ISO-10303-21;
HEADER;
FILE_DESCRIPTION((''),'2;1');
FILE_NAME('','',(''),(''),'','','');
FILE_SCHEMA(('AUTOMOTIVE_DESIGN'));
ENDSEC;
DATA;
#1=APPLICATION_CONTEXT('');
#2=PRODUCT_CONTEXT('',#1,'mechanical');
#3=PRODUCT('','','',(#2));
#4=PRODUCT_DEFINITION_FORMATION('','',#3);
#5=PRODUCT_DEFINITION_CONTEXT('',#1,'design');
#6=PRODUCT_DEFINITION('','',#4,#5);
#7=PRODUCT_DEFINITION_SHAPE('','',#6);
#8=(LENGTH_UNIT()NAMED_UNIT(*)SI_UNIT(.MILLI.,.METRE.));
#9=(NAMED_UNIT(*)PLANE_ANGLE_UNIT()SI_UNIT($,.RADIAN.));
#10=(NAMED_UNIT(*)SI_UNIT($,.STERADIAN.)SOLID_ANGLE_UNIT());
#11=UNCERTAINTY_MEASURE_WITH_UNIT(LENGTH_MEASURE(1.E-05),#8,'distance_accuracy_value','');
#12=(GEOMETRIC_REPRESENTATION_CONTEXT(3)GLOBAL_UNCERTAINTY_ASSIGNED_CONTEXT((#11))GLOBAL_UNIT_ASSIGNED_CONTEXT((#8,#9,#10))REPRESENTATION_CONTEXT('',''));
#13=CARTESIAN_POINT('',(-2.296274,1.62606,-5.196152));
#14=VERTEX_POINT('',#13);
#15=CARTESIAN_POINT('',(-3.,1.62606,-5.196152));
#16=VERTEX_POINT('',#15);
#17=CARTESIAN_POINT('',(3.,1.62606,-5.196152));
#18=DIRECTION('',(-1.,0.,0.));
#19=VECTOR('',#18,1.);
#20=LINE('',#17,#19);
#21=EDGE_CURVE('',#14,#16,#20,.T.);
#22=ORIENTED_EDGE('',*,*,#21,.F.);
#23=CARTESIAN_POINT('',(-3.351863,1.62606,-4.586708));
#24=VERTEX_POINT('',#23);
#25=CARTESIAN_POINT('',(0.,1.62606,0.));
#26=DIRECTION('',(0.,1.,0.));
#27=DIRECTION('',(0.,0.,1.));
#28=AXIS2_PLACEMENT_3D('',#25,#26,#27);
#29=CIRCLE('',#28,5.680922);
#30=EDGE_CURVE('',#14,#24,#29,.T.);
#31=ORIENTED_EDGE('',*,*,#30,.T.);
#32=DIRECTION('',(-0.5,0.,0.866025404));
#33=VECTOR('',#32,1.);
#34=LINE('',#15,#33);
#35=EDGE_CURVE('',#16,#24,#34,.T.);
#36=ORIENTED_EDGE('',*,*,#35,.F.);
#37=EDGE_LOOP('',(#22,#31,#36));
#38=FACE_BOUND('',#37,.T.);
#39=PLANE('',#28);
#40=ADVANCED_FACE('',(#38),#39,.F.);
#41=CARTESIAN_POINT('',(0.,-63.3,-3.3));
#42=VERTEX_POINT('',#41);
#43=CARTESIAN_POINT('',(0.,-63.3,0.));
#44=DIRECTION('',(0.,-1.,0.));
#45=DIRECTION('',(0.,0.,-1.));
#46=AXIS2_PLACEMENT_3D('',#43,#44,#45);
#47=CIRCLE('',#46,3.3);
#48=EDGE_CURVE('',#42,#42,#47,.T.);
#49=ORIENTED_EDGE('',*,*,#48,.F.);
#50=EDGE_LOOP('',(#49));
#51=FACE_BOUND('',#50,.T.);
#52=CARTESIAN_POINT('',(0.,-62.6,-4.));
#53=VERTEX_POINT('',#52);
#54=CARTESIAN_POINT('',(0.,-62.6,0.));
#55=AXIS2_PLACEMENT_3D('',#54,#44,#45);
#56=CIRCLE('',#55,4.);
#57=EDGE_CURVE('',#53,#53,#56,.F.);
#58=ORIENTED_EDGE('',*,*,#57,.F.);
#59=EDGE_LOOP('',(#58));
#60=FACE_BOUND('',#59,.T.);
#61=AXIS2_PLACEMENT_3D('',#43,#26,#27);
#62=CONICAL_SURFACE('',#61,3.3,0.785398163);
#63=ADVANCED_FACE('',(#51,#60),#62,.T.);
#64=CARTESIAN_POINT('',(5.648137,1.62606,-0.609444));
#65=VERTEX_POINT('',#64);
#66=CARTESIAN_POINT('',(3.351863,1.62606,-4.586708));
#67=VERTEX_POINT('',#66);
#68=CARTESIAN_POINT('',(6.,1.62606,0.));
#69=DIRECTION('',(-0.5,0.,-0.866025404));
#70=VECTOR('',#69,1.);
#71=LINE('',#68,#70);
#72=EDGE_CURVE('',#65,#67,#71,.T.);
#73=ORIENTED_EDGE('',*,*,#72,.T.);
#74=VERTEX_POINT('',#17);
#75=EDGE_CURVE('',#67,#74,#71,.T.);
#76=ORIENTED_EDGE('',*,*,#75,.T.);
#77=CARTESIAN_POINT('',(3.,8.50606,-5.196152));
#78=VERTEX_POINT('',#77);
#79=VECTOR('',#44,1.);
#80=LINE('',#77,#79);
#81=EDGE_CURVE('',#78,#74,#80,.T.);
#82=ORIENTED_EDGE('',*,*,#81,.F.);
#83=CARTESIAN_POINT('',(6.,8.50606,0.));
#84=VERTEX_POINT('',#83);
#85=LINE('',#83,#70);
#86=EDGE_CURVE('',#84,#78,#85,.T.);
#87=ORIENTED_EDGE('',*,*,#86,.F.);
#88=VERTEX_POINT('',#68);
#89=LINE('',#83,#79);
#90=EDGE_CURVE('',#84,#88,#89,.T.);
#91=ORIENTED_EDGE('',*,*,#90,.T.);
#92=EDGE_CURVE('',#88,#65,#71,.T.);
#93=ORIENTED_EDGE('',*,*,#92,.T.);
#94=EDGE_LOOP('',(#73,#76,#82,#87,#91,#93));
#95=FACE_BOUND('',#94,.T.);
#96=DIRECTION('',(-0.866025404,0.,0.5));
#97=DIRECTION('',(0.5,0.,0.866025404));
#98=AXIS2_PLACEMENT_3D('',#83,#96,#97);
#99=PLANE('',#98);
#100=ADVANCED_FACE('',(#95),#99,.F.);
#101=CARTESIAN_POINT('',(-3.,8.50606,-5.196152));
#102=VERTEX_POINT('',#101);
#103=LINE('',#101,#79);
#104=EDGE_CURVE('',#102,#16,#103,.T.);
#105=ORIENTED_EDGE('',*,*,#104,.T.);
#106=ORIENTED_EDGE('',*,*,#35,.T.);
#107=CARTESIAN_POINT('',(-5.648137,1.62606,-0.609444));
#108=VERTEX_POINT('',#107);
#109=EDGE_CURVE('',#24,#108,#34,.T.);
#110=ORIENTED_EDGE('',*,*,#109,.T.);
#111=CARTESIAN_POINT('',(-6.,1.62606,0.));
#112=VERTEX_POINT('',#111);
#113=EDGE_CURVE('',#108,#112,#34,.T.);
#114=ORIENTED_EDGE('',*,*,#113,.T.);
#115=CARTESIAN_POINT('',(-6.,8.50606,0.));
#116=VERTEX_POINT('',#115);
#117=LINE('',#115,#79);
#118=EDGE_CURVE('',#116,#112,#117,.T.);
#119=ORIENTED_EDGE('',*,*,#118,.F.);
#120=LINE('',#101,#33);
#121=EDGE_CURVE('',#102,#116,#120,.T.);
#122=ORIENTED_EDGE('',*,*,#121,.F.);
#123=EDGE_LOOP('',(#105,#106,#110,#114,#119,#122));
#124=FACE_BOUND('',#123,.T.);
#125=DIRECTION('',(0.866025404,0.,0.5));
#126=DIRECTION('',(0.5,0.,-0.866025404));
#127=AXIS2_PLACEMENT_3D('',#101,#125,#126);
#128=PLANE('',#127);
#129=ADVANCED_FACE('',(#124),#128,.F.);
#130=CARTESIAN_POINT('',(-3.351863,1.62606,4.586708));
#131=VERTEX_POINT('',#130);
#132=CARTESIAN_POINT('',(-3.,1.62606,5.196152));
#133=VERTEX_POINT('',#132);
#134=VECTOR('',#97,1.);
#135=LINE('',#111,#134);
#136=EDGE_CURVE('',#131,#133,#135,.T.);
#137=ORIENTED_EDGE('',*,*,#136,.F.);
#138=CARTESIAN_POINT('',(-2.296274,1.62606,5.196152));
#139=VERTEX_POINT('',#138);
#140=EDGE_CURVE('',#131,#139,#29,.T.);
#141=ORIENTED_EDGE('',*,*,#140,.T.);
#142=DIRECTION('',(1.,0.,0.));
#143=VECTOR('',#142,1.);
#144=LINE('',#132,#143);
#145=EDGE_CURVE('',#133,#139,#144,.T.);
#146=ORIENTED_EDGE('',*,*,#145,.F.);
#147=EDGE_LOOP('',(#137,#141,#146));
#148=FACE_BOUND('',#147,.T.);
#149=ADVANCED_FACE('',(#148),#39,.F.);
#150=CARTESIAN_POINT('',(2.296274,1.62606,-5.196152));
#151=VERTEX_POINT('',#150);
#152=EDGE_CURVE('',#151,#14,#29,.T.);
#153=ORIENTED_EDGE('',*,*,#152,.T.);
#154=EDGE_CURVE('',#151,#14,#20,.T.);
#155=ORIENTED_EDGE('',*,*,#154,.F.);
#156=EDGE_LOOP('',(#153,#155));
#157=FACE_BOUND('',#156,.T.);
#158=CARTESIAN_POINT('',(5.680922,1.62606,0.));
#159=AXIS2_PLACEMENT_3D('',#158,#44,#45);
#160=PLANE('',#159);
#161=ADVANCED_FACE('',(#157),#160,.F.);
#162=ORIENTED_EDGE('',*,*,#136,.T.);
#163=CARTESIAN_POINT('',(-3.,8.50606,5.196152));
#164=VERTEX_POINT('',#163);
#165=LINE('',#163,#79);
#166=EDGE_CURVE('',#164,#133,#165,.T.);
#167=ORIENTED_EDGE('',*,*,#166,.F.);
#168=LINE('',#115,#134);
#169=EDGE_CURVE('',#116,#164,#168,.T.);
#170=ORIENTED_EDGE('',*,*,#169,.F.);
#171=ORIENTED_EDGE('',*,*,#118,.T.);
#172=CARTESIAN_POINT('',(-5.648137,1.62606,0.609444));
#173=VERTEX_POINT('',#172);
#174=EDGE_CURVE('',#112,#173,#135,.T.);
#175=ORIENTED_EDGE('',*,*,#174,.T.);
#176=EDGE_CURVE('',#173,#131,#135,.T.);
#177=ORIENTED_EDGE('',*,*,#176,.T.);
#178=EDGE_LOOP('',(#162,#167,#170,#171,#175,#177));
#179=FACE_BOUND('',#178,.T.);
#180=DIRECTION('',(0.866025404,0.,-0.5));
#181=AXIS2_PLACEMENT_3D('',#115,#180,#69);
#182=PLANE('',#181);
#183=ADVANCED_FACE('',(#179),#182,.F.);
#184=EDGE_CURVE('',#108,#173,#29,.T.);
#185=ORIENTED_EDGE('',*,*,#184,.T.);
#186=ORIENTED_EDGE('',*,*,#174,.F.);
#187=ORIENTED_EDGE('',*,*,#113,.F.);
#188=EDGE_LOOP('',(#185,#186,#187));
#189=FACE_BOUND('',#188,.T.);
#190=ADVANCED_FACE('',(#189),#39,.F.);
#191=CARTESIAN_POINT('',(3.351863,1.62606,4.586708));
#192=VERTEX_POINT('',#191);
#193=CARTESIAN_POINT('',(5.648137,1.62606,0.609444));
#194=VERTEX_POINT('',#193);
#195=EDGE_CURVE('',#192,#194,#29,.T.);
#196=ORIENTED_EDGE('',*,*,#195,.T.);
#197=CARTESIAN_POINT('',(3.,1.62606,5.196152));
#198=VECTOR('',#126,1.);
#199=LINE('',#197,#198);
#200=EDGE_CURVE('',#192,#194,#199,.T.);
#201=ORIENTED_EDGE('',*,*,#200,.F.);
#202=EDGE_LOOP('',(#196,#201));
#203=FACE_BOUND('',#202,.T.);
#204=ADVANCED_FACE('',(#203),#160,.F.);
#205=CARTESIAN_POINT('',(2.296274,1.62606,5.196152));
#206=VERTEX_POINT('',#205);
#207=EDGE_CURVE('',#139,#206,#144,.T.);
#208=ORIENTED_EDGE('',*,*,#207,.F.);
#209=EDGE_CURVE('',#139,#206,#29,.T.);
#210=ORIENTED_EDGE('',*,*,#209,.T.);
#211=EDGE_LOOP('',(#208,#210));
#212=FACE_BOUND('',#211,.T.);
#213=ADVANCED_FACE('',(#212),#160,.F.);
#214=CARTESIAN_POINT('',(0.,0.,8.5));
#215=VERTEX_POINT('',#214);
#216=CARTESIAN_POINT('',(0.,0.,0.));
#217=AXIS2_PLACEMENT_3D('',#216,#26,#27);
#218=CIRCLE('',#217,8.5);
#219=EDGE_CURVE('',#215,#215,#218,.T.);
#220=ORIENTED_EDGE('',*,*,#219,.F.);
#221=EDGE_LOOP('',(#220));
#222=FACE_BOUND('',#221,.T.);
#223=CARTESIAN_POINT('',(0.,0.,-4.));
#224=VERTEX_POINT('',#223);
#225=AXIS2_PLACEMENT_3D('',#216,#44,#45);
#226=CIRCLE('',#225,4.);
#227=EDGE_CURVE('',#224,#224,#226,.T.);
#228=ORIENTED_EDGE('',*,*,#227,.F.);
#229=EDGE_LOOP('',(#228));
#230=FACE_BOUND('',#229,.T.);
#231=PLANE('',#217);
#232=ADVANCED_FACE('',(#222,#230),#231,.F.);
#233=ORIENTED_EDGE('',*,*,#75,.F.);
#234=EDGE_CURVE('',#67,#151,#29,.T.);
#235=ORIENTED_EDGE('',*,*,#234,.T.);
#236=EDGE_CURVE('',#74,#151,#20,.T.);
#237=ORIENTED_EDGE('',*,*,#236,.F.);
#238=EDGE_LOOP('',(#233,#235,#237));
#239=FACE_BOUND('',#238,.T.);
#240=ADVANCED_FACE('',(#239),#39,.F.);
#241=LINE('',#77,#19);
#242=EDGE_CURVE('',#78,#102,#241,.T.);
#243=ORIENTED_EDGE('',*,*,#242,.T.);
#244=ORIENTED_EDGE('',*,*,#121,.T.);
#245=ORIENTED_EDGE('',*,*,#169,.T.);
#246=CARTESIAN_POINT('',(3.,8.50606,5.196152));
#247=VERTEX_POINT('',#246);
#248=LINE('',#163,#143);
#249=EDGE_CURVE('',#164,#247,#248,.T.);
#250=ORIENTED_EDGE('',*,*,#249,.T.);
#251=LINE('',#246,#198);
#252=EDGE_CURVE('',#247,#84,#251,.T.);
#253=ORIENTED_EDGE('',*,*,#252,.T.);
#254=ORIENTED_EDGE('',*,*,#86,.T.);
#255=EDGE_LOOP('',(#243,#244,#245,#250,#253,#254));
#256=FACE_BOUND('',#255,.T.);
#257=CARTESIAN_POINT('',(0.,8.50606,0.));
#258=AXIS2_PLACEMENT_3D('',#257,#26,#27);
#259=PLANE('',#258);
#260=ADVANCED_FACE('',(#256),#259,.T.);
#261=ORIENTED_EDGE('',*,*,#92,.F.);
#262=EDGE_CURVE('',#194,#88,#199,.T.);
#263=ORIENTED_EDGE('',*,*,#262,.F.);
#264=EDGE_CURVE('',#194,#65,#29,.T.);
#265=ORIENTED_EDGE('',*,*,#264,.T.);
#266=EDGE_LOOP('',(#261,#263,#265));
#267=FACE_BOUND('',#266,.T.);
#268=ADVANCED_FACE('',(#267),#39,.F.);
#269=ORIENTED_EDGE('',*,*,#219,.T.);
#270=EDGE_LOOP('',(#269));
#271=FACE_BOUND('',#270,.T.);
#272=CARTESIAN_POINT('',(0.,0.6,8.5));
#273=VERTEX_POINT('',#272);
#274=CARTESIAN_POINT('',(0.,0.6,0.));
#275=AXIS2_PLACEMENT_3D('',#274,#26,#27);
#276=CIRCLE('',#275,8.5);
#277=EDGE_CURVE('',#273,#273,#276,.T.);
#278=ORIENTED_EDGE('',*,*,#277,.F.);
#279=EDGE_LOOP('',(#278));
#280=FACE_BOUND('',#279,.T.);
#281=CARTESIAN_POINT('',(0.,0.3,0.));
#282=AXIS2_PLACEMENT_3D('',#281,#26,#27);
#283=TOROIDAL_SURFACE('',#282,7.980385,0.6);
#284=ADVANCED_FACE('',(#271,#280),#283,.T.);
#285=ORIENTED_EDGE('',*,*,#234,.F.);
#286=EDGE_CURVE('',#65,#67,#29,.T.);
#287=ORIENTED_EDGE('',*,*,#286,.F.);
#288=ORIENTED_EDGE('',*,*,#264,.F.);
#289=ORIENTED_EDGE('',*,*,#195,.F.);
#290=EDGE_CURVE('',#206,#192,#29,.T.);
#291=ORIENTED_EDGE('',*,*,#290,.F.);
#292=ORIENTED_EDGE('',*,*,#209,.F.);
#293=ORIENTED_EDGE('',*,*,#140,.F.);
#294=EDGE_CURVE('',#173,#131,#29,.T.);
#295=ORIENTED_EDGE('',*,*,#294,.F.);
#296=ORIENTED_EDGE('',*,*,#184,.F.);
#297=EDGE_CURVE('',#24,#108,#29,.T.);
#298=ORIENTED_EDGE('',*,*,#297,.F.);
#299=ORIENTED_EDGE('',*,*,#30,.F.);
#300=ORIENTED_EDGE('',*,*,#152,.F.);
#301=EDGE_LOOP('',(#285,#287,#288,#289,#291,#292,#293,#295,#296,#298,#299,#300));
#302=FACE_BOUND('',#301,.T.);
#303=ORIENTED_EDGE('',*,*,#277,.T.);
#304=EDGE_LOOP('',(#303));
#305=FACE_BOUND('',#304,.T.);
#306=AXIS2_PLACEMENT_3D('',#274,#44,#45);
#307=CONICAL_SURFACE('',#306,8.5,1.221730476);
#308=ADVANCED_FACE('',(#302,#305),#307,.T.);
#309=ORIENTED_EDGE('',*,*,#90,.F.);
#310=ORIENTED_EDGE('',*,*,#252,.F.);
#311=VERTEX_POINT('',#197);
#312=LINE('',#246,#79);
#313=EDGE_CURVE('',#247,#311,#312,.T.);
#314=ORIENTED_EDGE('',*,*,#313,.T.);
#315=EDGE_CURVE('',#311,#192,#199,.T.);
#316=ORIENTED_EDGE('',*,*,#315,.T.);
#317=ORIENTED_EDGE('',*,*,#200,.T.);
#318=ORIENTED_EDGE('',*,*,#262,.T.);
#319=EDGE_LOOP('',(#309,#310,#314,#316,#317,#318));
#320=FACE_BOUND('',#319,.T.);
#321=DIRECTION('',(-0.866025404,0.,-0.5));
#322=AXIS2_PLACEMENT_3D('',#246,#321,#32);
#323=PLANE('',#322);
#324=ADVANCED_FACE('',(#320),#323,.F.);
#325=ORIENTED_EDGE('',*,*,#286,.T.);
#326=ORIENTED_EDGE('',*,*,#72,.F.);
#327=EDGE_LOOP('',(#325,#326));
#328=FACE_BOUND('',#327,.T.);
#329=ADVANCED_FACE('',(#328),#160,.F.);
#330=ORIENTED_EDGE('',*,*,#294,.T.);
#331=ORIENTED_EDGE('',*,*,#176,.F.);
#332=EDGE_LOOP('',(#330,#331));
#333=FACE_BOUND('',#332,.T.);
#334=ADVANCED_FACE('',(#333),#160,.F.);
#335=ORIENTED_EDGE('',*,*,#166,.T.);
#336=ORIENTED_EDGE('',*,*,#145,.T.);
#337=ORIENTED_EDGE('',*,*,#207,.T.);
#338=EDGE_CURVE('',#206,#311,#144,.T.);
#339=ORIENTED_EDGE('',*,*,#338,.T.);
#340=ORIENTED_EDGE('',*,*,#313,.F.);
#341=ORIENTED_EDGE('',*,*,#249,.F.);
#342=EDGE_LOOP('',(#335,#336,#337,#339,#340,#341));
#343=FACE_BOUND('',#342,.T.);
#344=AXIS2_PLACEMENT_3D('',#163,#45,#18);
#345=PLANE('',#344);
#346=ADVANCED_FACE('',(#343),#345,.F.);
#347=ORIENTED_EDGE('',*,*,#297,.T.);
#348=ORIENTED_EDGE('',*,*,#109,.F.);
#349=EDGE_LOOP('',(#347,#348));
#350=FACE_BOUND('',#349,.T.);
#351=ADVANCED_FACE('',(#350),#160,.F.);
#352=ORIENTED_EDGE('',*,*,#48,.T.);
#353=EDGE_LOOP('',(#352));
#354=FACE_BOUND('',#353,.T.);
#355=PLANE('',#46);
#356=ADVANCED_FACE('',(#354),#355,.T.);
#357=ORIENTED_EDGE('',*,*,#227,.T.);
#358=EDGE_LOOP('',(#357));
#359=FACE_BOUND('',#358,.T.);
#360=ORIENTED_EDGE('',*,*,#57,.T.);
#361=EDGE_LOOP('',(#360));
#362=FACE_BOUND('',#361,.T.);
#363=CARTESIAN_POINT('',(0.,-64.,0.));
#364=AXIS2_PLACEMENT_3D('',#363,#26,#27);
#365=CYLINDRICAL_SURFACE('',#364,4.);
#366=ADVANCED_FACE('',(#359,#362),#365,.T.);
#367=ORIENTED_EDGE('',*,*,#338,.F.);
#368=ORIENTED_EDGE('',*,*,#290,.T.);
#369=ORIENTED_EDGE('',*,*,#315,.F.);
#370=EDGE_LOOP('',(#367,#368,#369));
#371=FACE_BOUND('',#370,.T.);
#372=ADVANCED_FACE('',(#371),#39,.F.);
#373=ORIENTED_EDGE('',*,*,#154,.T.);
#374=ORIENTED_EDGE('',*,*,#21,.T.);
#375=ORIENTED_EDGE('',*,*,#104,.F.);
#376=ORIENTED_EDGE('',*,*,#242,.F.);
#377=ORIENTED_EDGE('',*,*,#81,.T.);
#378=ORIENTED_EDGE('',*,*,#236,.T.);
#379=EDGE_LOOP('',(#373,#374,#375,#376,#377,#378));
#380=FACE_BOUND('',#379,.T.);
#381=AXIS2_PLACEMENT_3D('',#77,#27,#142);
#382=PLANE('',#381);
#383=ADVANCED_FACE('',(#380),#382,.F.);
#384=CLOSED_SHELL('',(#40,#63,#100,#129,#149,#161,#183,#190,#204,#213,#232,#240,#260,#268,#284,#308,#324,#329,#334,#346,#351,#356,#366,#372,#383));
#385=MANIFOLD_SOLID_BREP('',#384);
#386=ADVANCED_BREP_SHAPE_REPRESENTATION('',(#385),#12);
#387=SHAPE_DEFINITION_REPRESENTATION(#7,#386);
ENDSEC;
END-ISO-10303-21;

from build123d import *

# Parameters (mm, degrees)
BOSS_EXTRUDE1_DEPTH = 6.88
SKETCH3_R           = 4
BOSS_EXTRUDE2_DEPTH = 64
SKETCH4_R           = 4
CUT_EXTRUDE1_DEPTH  = 0.7
CUT_EXTRUDE1_TAPER  = -45
CHAMFER1_SIZE       = 0.7


with BuildPart() as part:
    # Sketch1 → Revolve1 (revolve)
    with BuildSketch(Plane.XY):
        with BuildLine():
            Line((0, 0), (8.5, 0))
            ThreePointArc((8.5, 0), (8.580384758, 0.3), (8.5, 0.6))
            Line((8.5, 0.6), (5.680922138, 1.62606043))
            Line((5.680922138, 1.62606043), (0, 1.62606043))
            Line((0, 1.62606043), (0, 0))
        make_face()
    revolve(axis=Axis((0, 1.62606043, 0), (0, -1, 0)))

    # Sketch2 → Boss-Extrude1 (add)
    with BuildSketch(Plane(origin=(0, 1.62606043, 0), x_dir=(1, 0, 0), z_dir=(0, 1, 0))):
        Polygon((6, 0), (3, 5.196152423), (-3, 5.196152423), (-6, 0), (-3, -5.196152423), (3, -5.196152423), align=None)
    extrude(amount=BOSS_EXTRUDE1_DEPTH)

    # Sketch3 → Boss-Extrude2 (add)
    with BuildSketch(Plane.XZ):
        Circle(SKETCH3_R)
    extrude(amount=BOSS_EXTRUDE2_DEPTH)

    # Sketch4 → Cut-Extrude1 (cut)
    with BuildSketch(Plane.XZ.offset(64)):
        Circle(SKETCH4_R)
    extrude(amount=-CUT_EXTRUDE1_DEPTH, taper=CUT_EXTRUDE1_TAPER, mode=Mode.SUBTRACT)

    # Chamfer1
    chamfer1_edges = [part.edges().sort_by_distance(p)[0] for p in [
        (-4, -63.3, 0),
    ]]
    chamfer(chamfer1_edges, length=CHAMFER1_SIZE)


solid = part.part
